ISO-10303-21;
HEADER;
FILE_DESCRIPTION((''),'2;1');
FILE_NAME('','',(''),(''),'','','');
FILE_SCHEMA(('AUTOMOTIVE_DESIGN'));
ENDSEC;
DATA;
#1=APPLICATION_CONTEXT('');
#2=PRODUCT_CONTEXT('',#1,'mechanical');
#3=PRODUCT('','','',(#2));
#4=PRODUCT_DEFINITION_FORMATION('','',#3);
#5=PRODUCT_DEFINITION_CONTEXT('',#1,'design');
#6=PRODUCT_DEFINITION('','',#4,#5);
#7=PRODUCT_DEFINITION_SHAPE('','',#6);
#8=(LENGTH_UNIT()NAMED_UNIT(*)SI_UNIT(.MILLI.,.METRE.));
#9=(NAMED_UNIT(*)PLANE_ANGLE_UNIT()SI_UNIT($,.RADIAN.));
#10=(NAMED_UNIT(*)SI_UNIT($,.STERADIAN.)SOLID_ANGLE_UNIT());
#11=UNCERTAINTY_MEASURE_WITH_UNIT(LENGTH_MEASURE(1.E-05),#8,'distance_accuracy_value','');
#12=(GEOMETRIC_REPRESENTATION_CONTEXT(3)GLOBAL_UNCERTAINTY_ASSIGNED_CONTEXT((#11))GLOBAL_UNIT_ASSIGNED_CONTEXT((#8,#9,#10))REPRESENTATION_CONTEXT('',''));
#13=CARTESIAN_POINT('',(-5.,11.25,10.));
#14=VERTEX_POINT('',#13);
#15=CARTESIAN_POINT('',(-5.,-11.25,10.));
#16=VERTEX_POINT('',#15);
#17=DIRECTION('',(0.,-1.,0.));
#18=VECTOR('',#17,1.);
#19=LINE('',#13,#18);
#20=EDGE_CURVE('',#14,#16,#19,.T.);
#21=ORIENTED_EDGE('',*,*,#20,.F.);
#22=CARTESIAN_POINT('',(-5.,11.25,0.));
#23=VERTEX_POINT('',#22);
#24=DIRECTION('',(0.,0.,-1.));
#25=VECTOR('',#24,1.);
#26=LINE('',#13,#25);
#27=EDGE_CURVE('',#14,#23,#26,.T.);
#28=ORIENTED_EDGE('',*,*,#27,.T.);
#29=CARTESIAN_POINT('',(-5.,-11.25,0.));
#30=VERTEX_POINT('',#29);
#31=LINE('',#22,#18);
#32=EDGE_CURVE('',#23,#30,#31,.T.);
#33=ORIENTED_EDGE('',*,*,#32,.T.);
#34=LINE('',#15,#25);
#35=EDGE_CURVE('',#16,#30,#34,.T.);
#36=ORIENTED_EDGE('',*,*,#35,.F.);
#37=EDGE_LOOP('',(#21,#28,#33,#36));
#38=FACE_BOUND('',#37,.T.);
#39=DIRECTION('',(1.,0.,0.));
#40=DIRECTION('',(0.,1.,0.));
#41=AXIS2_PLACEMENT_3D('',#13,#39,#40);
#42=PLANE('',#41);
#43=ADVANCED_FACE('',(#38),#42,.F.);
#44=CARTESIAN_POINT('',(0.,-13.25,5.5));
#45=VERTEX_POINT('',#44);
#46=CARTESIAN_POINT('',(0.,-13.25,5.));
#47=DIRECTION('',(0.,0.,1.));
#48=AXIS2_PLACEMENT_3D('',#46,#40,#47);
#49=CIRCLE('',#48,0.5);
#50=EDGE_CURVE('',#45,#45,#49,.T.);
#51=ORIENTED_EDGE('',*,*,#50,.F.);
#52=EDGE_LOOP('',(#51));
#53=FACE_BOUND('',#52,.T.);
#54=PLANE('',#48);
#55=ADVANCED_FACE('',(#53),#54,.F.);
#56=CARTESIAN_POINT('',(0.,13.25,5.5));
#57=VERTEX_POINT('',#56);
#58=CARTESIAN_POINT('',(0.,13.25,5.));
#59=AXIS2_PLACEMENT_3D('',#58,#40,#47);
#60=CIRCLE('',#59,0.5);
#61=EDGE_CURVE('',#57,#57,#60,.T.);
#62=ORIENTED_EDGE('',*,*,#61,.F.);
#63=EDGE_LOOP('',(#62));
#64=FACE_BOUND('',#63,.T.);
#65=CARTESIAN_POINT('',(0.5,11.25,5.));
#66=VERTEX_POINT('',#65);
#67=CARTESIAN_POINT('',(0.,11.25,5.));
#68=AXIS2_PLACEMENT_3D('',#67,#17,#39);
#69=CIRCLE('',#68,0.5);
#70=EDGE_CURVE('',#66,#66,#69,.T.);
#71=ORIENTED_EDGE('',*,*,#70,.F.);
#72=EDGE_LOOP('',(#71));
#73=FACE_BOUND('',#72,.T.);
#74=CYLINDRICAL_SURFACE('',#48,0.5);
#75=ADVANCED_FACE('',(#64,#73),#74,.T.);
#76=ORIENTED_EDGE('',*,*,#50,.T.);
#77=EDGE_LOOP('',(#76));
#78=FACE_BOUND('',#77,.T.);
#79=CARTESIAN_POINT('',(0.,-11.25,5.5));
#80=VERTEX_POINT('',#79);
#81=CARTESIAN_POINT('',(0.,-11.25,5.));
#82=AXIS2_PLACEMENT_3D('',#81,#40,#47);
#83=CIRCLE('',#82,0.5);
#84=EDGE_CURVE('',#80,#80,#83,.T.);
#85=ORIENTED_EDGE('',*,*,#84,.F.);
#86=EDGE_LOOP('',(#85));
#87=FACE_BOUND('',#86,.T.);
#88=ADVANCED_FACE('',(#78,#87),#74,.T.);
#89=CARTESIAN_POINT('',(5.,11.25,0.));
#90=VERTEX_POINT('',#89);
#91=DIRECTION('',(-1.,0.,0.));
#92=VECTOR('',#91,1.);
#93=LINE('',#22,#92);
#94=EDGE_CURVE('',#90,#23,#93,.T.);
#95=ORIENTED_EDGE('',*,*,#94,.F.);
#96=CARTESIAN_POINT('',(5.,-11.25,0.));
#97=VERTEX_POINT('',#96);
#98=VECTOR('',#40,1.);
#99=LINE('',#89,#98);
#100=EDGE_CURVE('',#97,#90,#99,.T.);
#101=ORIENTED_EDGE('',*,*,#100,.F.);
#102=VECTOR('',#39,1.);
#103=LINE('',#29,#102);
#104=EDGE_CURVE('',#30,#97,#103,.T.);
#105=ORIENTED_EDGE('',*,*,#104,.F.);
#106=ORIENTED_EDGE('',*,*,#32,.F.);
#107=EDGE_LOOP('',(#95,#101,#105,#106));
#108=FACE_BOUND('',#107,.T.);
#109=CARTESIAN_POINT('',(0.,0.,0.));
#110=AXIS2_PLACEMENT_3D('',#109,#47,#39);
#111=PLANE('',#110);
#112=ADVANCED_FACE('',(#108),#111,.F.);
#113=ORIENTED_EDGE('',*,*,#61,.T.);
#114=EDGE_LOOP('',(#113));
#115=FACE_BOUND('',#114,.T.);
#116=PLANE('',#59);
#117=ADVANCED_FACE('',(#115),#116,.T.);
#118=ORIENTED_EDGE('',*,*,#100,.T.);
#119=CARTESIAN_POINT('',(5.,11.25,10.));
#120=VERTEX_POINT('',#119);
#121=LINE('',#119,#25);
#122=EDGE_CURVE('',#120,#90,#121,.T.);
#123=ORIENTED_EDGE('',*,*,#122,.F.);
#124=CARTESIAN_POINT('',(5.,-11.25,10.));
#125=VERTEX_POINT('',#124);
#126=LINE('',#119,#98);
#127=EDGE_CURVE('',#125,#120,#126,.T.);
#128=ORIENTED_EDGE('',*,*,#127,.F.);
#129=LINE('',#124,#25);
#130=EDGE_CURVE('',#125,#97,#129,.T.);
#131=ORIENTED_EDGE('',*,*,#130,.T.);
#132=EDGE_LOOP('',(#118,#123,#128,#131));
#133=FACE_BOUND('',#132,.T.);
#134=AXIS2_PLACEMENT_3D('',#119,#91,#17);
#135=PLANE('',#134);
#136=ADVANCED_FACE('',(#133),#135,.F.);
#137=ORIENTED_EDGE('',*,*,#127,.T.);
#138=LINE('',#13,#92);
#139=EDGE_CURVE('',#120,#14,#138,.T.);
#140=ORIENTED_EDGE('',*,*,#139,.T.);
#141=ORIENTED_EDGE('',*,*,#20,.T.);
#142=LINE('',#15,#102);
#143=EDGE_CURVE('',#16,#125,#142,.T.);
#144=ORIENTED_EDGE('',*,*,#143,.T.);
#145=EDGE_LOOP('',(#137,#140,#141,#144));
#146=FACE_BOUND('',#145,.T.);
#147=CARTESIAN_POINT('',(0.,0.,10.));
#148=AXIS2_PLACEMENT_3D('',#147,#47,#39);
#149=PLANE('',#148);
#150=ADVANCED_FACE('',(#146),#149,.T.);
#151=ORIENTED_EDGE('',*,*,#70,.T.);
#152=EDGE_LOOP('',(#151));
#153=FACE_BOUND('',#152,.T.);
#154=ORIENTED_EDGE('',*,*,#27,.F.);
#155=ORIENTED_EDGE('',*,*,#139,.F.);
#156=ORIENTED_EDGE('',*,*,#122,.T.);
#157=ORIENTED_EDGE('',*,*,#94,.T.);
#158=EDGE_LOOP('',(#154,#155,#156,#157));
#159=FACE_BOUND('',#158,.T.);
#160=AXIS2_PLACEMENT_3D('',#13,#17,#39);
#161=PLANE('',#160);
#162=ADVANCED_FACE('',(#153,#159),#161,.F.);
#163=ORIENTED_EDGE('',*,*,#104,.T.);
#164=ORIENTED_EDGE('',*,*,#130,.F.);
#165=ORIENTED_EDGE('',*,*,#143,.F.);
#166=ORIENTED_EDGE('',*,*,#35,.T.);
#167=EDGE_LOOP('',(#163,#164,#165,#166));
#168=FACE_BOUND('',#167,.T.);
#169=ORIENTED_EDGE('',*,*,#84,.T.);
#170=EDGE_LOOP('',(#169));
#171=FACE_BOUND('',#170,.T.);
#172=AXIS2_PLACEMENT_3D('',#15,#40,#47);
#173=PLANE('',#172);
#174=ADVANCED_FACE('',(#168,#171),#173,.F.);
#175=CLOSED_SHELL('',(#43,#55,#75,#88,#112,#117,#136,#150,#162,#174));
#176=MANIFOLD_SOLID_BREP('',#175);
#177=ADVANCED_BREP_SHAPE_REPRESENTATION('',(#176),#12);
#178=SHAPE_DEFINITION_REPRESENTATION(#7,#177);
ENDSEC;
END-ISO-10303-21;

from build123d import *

# Parameters (mm, degrees)
SKETCH_1_W           = 10
SKETCH_1_H           = 22.5
EXTRUDE_1_DEPTH      = 10
EXTRUDE_2_DEPTH      = 2
EXTRUDE_2_DEPTH_BACK = 24.5
SKETCH_2_R           = 0.5


with BuildPart() as part:
    # 草图1 → 凸台-拉伸1 (new body)
    with BuildSketch(Plane.XY):
        Rectangle(SKETCH_1_W, SKETCH_1_H)
    extrude(amount=EXTRUDE_1_DEPTH)

    # 草图2 → 凸台-拉伸2 (add, two sides: drawn at the far end of the back side and taken through both)
    with BuildSketch(Plane(origin=(0, 11.25, 0), x_dir=(1, 0, 0), z_dir=(0, 1, 0)).offset(-EXTRUDE_2_DEPTH_BACK)):
        with Locations(Location((0, -5, 0), (0, 0, 270))):
            Circle(SKETCH_2_R)
    extrude(amount=EXTRUDE_2_DEPTH + EXTRUDE_2_DEPTH_BACK)


solid = part.part
